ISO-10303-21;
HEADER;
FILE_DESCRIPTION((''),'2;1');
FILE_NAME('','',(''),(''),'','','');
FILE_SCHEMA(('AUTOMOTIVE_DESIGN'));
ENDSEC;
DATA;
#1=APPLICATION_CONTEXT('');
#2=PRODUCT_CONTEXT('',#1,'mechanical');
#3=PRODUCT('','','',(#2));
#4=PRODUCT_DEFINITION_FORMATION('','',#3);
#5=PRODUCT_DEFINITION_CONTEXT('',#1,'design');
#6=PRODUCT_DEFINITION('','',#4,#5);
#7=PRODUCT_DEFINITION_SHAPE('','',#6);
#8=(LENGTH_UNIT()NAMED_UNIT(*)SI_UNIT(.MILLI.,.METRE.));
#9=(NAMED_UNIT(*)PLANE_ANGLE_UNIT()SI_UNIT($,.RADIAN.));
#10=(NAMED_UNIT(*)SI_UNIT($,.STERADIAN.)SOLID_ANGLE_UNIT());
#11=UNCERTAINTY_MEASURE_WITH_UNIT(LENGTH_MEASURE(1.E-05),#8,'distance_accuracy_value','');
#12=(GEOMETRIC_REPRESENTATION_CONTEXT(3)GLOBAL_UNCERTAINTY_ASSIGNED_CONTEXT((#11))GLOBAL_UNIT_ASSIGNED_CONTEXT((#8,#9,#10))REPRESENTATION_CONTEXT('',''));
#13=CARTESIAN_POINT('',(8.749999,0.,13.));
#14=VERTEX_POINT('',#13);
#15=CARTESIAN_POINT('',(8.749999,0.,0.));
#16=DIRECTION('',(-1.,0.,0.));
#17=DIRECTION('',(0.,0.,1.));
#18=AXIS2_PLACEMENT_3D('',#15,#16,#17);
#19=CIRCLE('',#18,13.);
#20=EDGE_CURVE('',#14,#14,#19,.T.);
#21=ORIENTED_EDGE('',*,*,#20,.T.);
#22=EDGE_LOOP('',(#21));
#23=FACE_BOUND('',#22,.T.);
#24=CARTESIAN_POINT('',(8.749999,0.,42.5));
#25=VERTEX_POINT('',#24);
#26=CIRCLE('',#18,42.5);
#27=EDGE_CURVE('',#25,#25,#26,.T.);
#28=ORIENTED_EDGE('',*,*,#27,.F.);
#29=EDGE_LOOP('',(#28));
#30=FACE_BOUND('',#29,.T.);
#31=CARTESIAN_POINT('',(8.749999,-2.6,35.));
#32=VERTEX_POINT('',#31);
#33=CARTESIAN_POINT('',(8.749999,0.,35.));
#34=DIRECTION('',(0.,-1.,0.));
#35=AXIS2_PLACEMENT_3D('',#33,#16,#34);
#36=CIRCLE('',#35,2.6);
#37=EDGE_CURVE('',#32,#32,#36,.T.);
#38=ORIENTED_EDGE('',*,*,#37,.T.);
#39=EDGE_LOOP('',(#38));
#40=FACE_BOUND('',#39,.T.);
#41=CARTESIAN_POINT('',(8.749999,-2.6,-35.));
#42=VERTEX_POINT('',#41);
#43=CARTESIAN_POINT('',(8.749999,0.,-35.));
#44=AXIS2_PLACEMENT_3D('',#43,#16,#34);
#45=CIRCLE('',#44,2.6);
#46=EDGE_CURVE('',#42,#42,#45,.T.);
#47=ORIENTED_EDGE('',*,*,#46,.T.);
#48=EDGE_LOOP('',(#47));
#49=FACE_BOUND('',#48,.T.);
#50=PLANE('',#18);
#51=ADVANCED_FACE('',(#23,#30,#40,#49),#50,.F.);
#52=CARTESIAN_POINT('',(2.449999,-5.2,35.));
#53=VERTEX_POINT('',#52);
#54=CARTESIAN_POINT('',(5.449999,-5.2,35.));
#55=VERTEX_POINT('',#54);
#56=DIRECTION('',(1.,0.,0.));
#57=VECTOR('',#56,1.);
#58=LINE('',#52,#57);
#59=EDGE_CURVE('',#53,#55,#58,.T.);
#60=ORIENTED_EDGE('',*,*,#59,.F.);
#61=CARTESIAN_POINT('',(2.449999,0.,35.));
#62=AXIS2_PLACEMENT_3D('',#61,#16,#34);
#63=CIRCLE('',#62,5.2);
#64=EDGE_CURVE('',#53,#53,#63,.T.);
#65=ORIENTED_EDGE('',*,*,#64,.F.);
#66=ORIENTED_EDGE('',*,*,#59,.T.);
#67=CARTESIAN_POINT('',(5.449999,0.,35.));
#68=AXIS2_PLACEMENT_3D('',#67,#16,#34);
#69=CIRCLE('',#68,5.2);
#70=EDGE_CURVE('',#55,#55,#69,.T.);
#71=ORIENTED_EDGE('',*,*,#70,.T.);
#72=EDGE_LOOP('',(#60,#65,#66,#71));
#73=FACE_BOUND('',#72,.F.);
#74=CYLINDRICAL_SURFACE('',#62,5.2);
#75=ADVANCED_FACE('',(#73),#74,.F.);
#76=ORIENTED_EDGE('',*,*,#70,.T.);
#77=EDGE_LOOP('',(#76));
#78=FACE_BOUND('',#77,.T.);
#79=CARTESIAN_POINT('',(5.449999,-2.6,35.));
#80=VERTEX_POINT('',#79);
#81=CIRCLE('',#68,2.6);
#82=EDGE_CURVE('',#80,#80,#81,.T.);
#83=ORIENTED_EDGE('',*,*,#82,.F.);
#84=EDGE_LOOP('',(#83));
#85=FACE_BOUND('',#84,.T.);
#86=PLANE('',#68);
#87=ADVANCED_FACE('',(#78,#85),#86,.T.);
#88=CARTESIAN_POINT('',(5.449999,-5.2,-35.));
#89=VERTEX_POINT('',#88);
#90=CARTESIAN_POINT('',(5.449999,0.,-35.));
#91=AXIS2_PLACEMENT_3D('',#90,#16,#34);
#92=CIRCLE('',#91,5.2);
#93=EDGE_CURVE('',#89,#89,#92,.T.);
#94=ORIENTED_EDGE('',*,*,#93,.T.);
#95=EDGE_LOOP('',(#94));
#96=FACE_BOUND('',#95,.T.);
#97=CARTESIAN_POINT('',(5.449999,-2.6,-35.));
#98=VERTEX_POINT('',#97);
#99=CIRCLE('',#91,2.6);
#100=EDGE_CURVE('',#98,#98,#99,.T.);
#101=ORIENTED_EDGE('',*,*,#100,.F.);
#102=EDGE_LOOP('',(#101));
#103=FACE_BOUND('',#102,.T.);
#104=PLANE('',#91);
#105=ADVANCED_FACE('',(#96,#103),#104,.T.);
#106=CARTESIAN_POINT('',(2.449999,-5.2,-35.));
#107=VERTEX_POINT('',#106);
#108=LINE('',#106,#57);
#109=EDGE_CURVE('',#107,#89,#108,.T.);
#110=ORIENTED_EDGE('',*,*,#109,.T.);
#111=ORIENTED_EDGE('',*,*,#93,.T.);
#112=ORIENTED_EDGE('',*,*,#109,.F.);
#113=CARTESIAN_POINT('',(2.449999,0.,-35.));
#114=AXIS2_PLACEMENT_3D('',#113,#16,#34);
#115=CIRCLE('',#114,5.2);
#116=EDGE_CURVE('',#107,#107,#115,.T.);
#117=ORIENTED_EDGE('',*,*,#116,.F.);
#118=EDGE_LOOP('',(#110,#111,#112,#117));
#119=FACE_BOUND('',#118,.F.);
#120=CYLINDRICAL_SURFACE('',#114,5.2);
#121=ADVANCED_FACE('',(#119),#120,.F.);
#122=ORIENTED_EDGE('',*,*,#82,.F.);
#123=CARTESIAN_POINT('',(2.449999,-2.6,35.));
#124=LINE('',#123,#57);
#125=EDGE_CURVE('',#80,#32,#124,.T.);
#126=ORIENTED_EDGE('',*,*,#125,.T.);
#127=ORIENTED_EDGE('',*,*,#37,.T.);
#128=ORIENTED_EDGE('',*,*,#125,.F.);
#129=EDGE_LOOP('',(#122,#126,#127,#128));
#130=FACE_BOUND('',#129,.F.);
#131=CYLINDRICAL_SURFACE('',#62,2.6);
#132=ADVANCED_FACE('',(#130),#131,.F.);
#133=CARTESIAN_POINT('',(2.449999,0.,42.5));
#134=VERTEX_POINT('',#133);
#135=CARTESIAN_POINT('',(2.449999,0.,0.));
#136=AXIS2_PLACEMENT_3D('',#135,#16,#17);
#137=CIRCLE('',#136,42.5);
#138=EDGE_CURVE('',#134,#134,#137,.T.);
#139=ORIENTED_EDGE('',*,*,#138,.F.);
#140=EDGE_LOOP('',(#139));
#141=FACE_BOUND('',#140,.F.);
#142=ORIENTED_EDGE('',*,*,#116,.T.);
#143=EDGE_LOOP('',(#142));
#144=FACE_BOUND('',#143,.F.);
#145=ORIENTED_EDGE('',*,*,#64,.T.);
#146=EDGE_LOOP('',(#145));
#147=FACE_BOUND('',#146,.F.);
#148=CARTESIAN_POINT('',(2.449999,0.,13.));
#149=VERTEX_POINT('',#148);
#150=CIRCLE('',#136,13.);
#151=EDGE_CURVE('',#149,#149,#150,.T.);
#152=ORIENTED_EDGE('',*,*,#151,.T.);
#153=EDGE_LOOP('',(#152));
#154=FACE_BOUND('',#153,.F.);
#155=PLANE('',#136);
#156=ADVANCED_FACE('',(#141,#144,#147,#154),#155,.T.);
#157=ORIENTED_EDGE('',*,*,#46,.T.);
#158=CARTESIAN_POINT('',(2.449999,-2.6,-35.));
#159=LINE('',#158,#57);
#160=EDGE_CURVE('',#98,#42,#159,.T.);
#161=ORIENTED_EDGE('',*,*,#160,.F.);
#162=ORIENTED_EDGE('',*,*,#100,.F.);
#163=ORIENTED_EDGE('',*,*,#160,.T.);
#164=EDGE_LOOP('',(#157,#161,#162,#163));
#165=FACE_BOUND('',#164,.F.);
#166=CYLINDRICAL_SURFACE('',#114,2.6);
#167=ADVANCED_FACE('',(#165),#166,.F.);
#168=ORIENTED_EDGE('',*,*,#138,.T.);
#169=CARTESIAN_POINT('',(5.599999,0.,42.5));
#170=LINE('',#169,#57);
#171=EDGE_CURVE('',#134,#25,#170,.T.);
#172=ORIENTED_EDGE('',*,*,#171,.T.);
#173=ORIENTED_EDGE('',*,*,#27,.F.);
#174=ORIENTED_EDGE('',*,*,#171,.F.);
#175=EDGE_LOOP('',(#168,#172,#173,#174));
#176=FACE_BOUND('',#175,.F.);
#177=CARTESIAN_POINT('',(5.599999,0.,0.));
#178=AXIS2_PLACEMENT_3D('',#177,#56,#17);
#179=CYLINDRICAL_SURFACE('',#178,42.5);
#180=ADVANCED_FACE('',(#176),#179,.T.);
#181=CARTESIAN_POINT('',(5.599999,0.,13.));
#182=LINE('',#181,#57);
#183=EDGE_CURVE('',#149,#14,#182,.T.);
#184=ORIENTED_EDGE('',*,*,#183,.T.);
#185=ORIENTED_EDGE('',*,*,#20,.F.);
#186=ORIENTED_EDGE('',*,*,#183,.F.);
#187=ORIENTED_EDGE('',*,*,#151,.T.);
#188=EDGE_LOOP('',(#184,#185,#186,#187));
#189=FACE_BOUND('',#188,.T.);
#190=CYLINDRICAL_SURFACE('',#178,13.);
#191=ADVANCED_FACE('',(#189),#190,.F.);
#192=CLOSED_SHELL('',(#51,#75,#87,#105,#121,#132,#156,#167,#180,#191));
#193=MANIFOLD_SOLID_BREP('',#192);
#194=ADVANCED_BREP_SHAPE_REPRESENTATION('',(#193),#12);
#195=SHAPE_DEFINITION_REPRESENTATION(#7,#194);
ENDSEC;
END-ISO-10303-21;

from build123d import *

# Parameters (mm, degrees)
F0_W     = 6.3
F0_H     = 29.5
F2_R     = 2.6
F3_DEPTH = 25
F4_R     = 5.2
F4_R_2   = 2.6
F5_DEPTH = 3


with BuildPart() as f1:
    # F0 (on Front) → F1 (revolve)
    with BuildSketch(Plane.XZ):
        with Locations((5.599999, 27.75)):
            Rectangle(F0_W, F0_H)
    revolve(axis=Axis((-4.686111, 0, 0), (-1, 0, 0)))

    # F2 (on face) → F3 (cut)
    with BuildSketch(Plane(origin=(2.449999, 0, 0), x_dir=(0, -1, 0), z_dir=(-1, 0, 0))):
        with Locations((0, 35)):
            Circle(F2_R)
        with Locations((0, -35)):
            Circle(F2_R)
    extrude(amount=-F3_DEPTH, mode=Mode.SUBTRACT)

    # F4 (on face) → F5 (cut)
    with BuildSketch(Plane(origin=(2.449999, 0, 0), x_dir=(0, -1, 0), z_dir=(-1, 0, 0))):
        with Locations((0, 35)):
            Circle(F4_R)
        with Locations((0, 35)):
            Circle(F4_R_2, mode=Mode.SUBTRACT)
        with Locations((0, -35)):
            Circle(F4_R)
        with Locations((0, -35)):
            Circle(F4_R_2, mode=Mode.SUBTRACT)
    extrude(amount=-F5_DEPTH, mode=Mode.SUBTRACT)


solid = f1.part
